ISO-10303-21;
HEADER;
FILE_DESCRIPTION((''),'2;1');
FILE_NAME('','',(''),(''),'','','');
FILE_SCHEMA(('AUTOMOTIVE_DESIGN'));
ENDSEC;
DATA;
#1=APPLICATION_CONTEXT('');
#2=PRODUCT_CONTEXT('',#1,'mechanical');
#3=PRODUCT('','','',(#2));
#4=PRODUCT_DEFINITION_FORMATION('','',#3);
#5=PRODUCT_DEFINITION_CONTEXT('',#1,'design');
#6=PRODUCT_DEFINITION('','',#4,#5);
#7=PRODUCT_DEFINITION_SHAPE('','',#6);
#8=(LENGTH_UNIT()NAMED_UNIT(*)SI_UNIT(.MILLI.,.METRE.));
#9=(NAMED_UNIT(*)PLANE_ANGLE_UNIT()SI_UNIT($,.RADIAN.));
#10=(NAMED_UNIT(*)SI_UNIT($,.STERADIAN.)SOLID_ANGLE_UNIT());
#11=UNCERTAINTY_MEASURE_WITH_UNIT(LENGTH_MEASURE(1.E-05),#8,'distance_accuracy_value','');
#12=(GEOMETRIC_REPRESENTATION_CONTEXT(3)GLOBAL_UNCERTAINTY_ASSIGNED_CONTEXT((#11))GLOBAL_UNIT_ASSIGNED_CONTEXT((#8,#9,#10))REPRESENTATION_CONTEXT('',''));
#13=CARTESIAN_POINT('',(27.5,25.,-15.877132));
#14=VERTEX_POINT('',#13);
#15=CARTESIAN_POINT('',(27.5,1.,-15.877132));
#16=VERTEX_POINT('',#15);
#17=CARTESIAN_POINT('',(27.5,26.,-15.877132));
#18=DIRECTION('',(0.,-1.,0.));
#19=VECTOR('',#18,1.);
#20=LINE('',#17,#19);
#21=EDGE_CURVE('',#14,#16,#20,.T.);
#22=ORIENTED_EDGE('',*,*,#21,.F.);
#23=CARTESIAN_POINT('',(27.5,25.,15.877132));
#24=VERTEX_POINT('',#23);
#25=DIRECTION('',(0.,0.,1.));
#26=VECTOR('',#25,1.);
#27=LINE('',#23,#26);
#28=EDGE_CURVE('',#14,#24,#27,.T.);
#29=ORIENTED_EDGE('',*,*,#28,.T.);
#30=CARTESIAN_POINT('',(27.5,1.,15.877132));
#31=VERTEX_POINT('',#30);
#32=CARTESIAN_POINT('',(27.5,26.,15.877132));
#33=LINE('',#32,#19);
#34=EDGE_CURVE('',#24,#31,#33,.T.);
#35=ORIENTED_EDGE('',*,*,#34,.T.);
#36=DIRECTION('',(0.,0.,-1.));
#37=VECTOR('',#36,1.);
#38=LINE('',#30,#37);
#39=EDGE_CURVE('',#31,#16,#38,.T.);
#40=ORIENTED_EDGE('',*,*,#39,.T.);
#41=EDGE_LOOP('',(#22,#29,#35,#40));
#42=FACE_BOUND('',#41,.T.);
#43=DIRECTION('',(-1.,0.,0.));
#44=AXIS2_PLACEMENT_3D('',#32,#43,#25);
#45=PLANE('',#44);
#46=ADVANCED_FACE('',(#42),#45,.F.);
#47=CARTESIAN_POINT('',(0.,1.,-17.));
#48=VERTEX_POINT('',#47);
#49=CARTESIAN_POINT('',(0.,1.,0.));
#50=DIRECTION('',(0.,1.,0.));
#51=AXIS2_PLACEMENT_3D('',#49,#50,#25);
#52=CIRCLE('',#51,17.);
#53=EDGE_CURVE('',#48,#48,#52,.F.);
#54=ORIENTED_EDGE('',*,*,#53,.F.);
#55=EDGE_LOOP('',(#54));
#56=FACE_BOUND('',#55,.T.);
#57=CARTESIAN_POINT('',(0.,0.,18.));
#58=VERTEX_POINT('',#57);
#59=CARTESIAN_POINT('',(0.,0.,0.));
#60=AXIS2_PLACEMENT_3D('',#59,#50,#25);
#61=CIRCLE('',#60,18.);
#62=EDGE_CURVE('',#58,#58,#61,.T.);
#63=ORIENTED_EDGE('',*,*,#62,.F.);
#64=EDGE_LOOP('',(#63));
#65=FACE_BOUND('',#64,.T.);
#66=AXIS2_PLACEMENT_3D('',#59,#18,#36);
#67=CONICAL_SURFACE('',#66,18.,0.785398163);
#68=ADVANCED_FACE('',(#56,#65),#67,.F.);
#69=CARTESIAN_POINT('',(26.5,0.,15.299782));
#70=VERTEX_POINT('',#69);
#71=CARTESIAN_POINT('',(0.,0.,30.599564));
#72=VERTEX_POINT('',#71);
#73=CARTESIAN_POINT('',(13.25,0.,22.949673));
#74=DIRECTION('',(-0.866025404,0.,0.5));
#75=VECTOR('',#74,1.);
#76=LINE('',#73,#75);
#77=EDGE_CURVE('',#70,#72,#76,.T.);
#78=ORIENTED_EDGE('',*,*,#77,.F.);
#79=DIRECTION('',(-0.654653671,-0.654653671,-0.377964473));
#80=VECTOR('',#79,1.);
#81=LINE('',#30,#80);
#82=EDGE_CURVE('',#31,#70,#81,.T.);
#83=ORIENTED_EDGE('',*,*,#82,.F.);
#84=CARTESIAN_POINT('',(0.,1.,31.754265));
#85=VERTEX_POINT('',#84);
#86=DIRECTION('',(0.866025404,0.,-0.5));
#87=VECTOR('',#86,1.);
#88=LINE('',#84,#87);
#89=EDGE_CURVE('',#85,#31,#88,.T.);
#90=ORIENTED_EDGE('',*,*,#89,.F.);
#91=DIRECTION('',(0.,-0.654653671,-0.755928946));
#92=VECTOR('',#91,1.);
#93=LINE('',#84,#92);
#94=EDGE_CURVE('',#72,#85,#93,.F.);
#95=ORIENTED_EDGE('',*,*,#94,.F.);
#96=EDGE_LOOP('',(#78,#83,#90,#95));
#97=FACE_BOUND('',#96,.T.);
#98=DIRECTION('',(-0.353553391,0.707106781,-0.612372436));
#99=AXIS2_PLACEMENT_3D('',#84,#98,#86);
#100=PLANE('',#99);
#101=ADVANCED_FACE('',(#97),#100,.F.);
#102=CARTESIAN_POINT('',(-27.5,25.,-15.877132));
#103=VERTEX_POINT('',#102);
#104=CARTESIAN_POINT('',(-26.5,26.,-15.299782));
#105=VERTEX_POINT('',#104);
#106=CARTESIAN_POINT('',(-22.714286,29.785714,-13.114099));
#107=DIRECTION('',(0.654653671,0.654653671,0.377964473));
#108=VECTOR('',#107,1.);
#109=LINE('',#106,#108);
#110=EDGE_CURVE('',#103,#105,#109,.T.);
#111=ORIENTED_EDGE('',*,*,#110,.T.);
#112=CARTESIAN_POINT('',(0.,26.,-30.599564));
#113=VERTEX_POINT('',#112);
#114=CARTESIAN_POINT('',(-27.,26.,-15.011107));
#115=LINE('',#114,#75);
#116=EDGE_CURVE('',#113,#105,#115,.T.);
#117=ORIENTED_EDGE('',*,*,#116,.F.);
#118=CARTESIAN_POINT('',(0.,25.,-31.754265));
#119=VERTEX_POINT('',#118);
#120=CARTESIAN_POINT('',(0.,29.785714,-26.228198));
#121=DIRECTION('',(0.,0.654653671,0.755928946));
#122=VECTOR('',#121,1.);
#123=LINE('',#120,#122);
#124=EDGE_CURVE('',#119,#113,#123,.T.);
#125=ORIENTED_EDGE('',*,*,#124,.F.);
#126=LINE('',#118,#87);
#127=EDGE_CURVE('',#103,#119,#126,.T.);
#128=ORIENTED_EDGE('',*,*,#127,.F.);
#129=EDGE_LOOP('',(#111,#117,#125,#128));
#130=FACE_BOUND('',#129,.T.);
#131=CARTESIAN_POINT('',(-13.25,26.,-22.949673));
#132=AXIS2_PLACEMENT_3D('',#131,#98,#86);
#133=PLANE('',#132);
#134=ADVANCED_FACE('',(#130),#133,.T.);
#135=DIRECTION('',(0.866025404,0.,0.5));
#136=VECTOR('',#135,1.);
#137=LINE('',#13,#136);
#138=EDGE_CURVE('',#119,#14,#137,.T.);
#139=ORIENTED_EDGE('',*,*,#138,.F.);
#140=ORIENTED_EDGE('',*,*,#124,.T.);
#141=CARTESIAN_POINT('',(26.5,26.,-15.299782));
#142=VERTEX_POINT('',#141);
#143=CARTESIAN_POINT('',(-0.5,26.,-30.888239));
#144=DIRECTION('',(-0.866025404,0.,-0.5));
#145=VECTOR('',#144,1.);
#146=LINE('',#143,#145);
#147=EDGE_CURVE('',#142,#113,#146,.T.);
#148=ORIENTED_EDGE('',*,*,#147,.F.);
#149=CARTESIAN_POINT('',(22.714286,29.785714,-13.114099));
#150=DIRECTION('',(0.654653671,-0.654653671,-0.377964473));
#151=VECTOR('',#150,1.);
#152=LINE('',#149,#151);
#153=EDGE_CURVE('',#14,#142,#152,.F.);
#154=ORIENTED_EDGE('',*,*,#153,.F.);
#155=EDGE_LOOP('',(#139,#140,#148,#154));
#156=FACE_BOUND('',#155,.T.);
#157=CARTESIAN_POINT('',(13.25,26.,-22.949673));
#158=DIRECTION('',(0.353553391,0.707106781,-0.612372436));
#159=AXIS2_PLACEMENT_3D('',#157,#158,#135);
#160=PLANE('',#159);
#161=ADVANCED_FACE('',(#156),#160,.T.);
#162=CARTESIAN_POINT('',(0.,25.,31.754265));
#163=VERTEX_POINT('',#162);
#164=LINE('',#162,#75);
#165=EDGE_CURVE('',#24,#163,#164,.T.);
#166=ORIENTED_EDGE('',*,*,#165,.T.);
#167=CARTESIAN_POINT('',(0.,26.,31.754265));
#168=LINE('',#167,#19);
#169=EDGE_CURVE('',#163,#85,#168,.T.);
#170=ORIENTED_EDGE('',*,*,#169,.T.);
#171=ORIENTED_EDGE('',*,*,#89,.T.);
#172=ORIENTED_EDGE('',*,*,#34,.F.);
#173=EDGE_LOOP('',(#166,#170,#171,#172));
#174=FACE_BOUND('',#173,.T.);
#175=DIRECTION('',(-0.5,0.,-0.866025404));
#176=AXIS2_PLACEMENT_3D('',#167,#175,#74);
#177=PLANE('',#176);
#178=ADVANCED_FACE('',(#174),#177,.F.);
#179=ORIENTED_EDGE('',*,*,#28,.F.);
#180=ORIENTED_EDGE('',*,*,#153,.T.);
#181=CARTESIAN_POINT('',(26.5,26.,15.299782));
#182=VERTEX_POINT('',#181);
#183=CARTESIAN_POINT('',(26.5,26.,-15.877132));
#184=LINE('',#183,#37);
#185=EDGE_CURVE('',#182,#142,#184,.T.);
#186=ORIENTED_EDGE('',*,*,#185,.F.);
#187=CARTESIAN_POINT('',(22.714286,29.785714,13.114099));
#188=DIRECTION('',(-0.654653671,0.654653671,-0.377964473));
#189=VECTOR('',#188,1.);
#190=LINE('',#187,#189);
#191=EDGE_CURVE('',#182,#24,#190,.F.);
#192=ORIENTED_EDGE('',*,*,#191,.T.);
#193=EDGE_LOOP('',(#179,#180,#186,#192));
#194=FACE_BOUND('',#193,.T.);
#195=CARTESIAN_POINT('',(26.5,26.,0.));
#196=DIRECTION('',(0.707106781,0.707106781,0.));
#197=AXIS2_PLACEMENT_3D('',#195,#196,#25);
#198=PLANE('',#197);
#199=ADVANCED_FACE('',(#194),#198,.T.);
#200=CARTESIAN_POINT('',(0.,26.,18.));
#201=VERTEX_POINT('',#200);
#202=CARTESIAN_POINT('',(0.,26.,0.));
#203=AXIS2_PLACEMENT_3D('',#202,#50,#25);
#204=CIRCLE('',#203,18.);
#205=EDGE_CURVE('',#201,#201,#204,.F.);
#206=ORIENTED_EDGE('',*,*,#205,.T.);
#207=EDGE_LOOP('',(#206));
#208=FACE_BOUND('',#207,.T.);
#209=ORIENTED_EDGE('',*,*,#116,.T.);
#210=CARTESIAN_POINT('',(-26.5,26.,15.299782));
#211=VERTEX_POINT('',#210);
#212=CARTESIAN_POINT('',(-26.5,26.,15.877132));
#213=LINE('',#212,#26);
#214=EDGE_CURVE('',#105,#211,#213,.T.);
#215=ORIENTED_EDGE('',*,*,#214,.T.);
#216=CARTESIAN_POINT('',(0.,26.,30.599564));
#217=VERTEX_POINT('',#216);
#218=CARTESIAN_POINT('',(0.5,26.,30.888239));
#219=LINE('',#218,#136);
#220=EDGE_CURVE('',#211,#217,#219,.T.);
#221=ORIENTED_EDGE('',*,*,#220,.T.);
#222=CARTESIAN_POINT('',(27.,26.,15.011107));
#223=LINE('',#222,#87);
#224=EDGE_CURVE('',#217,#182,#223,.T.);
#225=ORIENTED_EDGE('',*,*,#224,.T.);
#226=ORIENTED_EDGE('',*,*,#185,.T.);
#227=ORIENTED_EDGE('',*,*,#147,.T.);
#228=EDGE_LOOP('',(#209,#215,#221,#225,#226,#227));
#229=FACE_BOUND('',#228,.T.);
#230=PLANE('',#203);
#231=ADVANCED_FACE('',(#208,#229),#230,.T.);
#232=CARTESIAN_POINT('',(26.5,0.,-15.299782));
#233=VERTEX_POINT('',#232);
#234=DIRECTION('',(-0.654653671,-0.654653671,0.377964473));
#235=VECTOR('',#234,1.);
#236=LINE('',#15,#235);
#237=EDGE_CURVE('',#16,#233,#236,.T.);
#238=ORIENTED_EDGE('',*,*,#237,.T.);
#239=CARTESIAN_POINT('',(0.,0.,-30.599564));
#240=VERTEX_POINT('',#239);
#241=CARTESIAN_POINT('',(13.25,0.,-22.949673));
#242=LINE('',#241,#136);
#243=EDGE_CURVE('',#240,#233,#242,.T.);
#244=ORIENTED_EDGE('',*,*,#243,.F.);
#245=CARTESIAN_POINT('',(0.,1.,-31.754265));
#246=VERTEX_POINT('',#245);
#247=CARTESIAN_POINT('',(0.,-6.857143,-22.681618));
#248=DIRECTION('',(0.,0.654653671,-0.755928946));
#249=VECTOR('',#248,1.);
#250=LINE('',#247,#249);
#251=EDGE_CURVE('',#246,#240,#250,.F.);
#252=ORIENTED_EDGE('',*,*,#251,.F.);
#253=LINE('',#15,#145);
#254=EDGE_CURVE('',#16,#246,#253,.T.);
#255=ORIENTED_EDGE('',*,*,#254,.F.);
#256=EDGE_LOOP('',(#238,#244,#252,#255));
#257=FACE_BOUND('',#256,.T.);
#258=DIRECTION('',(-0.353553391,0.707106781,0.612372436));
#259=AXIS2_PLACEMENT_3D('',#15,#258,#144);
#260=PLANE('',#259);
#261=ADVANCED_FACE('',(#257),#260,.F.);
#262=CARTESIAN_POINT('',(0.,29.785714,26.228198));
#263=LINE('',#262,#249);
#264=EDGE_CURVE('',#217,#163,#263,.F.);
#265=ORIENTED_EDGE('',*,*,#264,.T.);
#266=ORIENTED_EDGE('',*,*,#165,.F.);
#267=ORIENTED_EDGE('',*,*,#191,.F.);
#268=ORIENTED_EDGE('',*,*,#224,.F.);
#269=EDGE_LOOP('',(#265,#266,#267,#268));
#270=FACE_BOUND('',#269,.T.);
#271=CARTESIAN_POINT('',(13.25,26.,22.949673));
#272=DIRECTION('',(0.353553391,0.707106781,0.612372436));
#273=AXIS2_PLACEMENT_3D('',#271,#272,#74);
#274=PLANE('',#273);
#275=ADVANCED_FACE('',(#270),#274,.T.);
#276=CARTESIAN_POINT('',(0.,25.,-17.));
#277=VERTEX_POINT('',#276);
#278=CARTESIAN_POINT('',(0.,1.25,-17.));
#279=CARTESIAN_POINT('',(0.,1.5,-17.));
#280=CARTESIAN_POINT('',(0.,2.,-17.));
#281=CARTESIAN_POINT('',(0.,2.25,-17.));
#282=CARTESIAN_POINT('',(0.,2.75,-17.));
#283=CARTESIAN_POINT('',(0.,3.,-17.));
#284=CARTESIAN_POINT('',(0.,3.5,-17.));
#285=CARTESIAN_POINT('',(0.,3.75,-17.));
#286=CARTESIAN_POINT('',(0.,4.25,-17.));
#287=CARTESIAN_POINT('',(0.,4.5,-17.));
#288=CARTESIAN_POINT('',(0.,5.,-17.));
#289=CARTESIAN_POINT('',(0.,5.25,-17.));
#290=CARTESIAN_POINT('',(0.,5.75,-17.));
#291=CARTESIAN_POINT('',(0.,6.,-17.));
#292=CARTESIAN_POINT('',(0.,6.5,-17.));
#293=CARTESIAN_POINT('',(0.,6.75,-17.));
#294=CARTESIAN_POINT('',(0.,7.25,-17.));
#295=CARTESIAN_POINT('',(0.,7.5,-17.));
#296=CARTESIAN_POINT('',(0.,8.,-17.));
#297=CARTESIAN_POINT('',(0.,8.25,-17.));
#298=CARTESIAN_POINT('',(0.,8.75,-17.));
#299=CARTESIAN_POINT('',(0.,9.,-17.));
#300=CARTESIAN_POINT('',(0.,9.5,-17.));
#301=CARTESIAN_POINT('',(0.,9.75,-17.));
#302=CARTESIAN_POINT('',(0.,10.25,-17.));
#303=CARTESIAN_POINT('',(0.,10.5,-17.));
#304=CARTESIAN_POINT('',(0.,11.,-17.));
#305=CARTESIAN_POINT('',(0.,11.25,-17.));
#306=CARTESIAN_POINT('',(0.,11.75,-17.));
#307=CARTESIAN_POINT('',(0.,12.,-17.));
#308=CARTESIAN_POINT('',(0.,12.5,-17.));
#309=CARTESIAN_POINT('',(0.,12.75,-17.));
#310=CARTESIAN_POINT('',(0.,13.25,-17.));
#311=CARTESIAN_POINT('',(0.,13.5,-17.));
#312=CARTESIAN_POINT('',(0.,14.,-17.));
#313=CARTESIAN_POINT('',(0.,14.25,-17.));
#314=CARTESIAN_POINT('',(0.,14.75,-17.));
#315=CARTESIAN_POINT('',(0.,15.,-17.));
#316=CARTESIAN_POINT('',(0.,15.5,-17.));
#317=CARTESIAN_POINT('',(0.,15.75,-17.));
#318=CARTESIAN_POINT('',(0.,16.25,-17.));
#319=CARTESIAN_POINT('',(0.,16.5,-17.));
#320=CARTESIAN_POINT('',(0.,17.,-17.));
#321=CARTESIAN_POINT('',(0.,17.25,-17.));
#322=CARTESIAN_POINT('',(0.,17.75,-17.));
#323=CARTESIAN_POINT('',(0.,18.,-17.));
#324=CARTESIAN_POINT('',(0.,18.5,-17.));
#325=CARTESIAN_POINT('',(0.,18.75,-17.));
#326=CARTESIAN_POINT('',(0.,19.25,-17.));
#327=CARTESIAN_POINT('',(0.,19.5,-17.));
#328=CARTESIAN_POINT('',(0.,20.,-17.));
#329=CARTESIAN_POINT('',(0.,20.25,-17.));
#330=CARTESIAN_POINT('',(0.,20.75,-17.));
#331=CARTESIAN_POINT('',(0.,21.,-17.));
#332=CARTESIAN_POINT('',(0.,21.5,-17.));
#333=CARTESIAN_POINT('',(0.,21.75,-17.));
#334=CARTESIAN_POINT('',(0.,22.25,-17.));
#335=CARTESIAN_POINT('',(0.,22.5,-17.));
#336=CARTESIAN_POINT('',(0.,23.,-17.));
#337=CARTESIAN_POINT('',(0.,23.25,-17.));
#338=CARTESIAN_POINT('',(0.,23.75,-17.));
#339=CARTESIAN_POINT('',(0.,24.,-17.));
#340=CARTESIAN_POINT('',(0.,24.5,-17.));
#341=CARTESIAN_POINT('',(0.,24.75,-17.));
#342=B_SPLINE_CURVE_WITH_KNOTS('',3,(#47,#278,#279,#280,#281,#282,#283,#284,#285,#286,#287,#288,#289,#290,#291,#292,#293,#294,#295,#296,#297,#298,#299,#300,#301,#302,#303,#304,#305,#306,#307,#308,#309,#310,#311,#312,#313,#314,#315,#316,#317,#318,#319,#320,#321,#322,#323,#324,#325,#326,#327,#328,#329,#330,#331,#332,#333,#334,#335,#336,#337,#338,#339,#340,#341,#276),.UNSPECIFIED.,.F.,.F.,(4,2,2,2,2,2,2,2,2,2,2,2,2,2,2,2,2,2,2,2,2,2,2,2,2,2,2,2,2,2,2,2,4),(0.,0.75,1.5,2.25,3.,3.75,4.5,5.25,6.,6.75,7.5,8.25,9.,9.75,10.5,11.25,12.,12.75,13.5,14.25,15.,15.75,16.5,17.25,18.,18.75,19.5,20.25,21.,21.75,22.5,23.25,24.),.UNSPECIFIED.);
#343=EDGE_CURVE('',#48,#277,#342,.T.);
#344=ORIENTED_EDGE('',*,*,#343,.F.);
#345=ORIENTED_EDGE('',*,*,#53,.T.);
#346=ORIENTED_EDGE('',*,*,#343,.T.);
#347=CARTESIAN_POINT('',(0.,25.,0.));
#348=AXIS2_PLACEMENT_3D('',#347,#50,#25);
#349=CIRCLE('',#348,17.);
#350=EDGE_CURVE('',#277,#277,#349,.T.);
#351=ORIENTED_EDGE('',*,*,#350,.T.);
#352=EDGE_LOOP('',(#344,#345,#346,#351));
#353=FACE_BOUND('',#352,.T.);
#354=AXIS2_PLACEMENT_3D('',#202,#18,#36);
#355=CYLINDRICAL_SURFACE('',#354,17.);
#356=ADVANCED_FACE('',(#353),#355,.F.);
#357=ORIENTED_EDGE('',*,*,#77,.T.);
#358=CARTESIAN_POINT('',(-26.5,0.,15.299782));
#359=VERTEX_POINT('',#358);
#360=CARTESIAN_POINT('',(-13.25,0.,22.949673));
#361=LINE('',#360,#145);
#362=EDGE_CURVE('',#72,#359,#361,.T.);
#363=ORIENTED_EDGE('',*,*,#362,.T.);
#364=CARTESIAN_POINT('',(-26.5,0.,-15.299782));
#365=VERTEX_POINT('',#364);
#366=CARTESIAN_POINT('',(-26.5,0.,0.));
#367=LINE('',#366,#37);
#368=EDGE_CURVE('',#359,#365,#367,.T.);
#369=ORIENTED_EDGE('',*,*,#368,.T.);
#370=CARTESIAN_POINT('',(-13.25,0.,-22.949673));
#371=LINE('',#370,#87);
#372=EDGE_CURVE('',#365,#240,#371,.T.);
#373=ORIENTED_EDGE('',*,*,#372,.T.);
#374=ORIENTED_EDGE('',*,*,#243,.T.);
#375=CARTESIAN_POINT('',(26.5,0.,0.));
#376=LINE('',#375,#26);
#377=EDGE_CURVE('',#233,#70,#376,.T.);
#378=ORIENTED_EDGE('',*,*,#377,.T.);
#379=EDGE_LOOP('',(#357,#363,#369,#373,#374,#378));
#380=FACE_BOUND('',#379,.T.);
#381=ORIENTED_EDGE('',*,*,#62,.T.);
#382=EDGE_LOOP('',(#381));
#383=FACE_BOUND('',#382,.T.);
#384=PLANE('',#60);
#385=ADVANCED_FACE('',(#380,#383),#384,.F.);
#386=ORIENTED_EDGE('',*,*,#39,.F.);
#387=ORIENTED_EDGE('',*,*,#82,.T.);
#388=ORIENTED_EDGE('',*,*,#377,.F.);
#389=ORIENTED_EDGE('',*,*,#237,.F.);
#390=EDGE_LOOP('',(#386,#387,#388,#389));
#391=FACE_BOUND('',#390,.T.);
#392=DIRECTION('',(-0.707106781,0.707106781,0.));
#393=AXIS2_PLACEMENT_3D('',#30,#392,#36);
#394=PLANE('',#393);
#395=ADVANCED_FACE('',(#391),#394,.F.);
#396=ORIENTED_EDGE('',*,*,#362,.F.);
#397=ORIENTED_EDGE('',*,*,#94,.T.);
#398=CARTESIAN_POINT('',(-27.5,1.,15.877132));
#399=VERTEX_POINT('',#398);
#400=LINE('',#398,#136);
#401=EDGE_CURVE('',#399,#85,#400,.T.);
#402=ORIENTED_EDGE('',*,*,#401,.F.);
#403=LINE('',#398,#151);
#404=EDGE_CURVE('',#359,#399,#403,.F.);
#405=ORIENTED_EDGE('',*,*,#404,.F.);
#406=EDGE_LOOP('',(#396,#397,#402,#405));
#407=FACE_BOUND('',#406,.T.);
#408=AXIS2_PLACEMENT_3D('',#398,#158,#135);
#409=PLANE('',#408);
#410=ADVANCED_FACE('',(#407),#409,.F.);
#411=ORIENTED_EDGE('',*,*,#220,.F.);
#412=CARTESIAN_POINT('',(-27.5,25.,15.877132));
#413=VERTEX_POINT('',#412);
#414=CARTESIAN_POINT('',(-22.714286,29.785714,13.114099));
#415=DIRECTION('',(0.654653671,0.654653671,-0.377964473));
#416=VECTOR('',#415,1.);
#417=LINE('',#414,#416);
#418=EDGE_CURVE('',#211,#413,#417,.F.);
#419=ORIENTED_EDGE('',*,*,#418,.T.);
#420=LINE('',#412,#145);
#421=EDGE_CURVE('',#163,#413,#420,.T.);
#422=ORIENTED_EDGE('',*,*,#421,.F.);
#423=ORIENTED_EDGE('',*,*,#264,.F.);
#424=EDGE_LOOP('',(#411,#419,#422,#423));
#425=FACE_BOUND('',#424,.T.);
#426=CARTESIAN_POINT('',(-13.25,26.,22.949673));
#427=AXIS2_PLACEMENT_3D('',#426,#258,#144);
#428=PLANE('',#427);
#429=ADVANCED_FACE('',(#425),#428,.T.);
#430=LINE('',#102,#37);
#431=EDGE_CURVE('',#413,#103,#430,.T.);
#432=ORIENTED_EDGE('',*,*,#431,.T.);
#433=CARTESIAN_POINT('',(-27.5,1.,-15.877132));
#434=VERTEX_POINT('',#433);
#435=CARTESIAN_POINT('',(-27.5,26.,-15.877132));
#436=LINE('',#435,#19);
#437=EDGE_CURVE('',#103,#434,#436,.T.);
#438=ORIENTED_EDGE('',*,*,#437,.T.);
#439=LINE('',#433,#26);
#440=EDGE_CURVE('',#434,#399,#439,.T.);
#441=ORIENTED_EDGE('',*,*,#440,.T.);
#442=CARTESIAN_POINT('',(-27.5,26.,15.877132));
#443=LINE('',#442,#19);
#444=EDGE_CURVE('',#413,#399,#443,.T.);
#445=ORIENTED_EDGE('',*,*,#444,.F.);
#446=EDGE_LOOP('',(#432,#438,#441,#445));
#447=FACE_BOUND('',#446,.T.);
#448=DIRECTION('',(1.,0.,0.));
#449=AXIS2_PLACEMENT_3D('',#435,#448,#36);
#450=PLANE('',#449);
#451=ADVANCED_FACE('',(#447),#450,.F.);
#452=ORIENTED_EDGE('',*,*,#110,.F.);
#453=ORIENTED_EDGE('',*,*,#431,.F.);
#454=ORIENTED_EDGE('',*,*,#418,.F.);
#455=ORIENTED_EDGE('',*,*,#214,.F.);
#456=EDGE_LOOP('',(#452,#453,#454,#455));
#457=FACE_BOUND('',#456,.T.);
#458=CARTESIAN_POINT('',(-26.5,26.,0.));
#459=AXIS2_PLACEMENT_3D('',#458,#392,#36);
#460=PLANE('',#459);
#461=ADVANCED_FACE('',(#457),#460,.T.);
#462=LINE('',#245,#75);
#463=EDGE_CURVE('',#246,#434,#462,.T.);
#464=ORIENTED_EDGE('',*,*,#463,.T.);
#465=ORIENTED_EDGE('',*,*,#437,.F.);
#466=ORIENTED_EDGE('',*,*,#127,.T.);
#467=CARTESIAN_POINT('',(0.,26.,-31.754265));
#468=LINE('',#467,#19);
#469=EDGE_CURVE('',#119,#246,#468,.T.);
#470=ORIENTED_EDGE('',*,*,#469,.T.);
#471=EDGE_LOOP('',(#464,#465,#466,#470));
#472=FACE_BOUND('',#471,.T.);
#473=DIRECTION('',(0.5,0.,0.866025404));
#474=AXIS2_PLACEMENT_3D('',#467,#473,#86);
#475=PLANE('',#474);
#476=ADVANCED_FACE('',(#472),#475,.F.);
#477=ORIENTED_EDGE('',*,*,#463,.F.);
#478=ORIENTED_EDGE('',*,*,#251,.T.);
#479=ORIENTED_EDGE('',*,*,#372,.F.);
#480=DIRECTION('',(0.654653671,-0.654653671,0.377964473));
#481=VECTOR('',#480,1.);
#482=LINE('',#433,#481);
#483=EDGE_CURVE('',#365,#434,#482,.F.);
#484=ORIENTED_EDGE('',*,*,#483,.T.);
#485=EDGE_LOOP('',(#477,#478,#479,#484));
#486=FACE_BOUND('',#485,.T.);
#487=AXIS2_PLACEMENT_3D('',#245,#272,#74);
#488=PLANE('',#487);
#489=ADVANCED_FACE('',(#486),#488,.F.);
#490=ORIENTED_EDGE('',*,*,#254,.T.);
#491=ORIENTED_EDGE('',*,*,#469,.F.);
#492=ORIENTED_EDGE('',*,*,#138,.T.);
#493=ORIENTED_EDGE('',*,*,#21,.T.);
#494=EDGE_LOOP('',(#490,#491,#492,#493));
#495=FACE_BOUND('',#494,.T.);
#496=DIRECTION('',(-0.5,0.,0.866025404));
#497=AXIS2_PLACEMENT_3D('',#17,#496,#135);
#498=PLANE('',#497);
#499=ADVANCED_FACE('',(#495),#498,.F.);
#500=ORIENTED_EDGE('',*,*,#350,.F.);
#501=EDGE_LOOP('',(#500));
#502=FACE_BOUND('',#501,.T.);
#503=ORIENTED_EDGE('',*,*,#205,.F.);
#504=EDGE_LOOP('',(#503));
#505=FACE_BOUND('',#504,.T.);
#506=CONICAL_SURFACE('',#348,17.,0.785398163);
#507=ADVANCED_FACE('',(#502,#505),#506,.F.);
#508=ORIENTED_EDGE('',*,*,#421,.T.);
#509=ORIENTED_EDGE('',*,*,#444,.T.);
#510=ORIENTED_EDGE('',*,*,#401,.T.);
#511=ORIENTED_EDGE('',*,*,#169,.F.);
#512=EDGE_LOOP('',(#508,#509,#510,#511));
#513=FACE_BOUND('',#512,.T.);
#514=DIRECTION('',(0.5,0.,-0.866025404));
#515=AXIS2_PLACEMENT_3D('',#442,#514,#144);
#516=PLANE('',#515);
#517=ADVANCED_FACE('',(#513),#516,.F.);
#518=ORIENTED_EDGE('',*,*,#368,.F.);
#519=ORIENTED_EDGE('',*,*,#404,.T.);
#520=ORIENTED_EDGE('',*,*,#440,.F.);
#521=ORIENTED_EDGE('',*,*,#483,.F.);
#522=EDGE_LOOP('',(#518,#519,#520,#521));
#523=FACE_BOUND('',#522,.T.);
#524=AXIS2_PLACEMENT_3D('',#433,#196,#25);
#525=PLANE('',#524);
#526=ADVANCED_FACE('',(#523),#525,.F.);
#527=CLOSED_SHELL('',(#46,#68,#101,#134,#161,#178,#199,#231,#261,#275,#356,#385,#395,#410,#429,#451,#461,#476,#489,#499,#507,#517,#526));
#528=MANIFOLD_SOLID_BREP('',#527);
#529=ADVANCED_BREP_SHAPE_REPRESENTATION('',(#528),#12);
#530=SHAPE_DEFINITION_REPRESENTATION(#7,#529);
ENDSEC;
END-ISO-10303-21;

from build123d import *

# Parameters (mm, degrees)
SKETCH_1_R      = 17
EXTRUDE_1_DEPTH = 26
CHAMFER_1_SIZE  = 1


with BuildPart() as part:
    # Эскиз1 → Бобышка-Вытянуть1 (new body)
    with BuildSketch(Plane(origin=(0, 0, 0), x_dir=(1, 0, 0), z_dir=(0, 1, 0))):
        Polygon((0, 31.754264805), (-27.5, 15.877132403), (-27.5, -15.877132403), (0, -31.754264805), (27.5, -15.877132403), (27.5, 15.877132403), align=None)
        with Locations(Location((0, 0, 0), (0, 0, 90))):
            Circle(SKETCH_1_R, mode=Mode.SUBTRACT)
    extrude(amount=EXTRUDE_1_DEPTH)

    # Фаска1
    chamfer_1_edges = [part.edges().sort_by_distance(p)[0] for p in [
        (-27.5, 26, 0),
        (-13.75, 26, 23.815698604),
        (0, 0, 17),
        (0, 26, 17),
        (13.75, 26, 23.815698604),
        (27.5, 26, 0),
        (13.75, 26, -23.815698604),
        (27.5, 0, 0),
        (13.75, 0, 23.815698604),
        (-13.75, 0, 23.815698604),
        (-27.5, 0, 0),
        (-13.75, 0, -23.815698604),
        (13.75, 0, -23.815698604),
        (-13.75, 26, -23.815698604),
    ]]
    chamfer(chamfer_1_edges, length=CHAMFER_1_SIZE)


solid = part.part
